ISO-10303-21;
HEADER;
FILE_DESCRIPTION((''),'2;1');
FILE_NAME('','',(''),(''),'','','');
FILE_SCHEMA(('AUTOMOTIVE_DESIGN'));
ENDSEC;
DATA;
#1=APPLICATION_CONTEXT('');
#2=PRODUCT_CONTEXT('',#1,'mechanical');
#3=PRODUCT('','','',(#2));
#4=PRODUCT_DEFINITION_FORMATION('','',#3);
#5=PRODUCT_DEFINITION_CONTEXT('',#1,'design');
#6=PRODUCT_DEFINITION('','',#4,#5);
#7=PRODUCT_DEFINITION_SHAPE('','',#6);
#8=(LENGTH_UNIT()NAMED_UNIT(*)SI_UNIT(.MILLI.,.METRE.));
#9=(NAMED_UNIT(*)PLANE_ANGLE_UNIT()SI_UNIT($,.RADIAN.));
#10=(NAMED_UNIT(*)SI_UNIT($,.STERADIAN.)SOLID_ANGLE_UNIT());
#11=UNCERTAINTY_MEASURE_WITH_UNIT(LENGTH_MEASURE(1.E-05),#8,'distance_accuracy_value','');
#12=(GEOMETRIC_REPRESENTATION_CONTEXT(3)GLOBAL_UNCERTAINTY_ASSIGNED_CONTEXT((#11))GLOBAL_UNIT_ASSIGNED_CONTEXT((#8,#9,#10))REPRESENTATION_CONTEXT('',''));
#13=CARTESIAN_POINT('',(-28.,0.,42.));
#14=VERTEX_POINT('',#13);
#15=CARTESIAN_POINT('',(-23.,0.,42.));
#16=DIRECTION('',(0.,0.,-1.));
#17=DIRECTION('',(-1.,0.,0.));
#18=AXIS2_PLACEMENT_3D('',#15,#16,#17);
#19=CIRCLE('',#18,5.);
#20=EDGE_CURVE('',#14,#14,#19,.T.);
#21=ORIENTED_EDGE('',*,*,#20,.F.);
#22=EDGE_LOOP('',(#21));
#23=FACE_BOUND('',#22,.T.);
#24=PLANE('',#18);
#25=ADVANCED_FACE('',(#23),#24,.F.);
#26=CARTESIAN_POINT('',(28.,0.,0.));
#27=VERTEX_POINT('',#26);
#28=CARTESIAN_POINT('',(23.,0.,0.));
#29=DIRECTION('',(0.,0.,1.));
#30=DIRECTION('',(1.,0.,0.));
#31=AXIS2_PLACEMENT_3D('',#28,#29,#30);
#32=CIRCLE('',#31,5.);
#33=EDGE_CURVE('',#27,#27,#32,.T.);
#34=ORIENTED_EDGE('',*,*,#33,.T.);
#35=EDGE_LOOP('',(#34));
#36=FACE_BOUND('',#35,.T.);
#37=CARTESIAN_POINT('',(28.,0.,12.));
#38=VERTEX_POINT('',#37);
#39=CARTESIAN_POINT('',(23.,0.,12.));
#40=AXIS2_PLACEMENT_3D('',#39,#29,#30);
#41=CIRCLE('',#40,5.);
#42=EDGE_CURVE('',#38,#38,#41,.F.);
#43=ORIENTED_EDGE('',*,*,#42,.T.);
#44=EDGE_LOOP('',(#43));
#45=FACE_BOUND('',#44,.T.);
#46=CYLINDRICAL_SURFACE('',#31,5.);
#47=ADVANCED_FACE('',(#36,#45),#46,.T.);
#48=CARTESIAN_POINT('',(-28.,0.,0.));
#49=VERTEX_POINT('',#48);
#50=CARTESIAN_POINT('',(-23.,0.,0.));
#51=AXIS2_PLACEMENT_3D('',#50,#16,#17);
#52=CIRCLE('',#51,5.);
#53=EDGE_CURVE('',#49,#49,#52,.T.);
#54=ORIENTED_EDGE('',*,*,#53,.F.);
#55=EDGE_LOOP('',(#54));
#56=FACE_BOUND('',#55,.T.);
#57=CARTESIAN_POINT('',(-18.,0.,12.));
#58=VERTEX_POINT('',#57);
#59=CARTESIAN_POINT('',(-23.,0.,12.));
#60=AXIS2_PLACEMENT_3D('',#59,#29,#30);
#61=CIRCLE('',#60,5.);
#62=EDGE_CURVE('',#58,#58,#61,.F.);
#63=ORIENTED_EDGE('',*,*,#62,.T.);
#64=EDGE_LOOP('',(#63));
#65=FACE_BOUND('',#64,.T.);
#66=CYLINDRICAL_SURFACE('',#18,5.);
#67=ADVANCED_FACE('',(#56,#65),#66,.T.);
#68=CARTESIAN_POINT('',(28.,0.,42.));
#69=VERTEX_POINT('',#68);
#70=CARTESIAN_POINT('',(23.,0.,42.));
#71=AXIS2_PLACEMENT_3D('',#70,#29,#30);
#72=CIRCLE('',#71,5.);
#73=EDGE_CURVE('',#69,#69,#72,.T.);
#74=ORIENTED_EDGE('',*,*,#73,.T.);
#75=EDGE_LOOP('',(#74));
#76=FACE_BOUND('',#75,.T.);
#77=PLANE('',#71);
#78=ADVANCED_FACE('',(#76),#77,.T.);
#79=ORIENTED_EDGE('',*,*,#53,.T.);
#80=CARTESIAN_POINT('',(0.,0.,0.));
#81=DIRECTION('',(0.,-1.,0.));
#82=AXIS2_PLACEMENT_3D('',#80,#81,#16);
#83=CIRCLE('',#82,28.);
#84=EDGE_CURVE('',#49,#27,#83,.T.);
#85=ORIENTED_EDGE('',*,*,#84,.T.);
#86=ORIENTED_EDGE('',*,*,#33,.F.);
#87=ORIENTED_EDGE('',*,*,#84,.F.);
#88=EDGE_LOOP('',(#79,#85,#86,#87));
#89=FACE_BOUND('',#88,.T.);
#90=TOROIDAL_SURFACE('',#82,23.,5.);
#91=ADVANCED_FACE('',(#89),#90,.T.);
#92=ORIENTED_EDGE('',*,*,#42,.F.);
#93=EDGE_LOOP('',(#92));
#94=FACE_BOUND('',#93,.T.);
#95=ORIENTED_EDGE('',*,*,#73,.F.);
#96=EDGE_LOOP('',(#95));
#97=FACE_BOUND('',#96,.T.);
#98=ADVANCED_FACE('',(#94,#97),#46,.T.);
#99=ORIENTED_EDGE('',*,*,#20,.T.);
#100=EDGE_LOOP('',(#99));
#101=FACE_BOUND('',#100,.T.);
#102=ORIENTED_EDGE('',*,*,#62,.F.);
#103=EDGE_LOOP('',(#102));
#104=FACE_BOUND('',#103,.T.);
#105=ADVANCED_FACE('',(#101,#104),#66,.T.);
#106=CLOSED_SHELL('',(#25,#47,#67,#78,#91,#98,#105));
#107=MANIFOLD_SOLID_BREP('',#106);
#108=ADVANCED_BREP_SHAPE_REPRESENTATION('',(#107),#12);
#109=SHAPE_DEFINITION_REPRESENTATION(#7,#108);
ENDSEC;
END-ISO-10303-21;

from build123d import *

# Parameters (mm, degrees)
SWEEP1_PROFILE_R = 5


with BuildPart() as part:
    # Sweep1: sweep along a path in Sketch1
    with BuildLine(Plane(origin=(0, 0, 0), x_dir=(1, 0, 0), z_dir=(0, 1, 0))) as sweep1_path:
        Line((-23, -42), (-23, 0))
        ThreePointArc((-23, 0), (0, 23), (23, 0))
        Line((23, 0), (23, -42))
    # Sweep1 profile (on start of the path) → Sweep1 (sweep)
    with BuildSketch(Plane(origin=(-23, 0, 42), x_dir=(-1, 0, 0), z_dir=(0, 0, -1))):
        Circle(SWEEP1_PROFILE_R)
    sweep(path=sweep1_path.line)


solid = part.part
